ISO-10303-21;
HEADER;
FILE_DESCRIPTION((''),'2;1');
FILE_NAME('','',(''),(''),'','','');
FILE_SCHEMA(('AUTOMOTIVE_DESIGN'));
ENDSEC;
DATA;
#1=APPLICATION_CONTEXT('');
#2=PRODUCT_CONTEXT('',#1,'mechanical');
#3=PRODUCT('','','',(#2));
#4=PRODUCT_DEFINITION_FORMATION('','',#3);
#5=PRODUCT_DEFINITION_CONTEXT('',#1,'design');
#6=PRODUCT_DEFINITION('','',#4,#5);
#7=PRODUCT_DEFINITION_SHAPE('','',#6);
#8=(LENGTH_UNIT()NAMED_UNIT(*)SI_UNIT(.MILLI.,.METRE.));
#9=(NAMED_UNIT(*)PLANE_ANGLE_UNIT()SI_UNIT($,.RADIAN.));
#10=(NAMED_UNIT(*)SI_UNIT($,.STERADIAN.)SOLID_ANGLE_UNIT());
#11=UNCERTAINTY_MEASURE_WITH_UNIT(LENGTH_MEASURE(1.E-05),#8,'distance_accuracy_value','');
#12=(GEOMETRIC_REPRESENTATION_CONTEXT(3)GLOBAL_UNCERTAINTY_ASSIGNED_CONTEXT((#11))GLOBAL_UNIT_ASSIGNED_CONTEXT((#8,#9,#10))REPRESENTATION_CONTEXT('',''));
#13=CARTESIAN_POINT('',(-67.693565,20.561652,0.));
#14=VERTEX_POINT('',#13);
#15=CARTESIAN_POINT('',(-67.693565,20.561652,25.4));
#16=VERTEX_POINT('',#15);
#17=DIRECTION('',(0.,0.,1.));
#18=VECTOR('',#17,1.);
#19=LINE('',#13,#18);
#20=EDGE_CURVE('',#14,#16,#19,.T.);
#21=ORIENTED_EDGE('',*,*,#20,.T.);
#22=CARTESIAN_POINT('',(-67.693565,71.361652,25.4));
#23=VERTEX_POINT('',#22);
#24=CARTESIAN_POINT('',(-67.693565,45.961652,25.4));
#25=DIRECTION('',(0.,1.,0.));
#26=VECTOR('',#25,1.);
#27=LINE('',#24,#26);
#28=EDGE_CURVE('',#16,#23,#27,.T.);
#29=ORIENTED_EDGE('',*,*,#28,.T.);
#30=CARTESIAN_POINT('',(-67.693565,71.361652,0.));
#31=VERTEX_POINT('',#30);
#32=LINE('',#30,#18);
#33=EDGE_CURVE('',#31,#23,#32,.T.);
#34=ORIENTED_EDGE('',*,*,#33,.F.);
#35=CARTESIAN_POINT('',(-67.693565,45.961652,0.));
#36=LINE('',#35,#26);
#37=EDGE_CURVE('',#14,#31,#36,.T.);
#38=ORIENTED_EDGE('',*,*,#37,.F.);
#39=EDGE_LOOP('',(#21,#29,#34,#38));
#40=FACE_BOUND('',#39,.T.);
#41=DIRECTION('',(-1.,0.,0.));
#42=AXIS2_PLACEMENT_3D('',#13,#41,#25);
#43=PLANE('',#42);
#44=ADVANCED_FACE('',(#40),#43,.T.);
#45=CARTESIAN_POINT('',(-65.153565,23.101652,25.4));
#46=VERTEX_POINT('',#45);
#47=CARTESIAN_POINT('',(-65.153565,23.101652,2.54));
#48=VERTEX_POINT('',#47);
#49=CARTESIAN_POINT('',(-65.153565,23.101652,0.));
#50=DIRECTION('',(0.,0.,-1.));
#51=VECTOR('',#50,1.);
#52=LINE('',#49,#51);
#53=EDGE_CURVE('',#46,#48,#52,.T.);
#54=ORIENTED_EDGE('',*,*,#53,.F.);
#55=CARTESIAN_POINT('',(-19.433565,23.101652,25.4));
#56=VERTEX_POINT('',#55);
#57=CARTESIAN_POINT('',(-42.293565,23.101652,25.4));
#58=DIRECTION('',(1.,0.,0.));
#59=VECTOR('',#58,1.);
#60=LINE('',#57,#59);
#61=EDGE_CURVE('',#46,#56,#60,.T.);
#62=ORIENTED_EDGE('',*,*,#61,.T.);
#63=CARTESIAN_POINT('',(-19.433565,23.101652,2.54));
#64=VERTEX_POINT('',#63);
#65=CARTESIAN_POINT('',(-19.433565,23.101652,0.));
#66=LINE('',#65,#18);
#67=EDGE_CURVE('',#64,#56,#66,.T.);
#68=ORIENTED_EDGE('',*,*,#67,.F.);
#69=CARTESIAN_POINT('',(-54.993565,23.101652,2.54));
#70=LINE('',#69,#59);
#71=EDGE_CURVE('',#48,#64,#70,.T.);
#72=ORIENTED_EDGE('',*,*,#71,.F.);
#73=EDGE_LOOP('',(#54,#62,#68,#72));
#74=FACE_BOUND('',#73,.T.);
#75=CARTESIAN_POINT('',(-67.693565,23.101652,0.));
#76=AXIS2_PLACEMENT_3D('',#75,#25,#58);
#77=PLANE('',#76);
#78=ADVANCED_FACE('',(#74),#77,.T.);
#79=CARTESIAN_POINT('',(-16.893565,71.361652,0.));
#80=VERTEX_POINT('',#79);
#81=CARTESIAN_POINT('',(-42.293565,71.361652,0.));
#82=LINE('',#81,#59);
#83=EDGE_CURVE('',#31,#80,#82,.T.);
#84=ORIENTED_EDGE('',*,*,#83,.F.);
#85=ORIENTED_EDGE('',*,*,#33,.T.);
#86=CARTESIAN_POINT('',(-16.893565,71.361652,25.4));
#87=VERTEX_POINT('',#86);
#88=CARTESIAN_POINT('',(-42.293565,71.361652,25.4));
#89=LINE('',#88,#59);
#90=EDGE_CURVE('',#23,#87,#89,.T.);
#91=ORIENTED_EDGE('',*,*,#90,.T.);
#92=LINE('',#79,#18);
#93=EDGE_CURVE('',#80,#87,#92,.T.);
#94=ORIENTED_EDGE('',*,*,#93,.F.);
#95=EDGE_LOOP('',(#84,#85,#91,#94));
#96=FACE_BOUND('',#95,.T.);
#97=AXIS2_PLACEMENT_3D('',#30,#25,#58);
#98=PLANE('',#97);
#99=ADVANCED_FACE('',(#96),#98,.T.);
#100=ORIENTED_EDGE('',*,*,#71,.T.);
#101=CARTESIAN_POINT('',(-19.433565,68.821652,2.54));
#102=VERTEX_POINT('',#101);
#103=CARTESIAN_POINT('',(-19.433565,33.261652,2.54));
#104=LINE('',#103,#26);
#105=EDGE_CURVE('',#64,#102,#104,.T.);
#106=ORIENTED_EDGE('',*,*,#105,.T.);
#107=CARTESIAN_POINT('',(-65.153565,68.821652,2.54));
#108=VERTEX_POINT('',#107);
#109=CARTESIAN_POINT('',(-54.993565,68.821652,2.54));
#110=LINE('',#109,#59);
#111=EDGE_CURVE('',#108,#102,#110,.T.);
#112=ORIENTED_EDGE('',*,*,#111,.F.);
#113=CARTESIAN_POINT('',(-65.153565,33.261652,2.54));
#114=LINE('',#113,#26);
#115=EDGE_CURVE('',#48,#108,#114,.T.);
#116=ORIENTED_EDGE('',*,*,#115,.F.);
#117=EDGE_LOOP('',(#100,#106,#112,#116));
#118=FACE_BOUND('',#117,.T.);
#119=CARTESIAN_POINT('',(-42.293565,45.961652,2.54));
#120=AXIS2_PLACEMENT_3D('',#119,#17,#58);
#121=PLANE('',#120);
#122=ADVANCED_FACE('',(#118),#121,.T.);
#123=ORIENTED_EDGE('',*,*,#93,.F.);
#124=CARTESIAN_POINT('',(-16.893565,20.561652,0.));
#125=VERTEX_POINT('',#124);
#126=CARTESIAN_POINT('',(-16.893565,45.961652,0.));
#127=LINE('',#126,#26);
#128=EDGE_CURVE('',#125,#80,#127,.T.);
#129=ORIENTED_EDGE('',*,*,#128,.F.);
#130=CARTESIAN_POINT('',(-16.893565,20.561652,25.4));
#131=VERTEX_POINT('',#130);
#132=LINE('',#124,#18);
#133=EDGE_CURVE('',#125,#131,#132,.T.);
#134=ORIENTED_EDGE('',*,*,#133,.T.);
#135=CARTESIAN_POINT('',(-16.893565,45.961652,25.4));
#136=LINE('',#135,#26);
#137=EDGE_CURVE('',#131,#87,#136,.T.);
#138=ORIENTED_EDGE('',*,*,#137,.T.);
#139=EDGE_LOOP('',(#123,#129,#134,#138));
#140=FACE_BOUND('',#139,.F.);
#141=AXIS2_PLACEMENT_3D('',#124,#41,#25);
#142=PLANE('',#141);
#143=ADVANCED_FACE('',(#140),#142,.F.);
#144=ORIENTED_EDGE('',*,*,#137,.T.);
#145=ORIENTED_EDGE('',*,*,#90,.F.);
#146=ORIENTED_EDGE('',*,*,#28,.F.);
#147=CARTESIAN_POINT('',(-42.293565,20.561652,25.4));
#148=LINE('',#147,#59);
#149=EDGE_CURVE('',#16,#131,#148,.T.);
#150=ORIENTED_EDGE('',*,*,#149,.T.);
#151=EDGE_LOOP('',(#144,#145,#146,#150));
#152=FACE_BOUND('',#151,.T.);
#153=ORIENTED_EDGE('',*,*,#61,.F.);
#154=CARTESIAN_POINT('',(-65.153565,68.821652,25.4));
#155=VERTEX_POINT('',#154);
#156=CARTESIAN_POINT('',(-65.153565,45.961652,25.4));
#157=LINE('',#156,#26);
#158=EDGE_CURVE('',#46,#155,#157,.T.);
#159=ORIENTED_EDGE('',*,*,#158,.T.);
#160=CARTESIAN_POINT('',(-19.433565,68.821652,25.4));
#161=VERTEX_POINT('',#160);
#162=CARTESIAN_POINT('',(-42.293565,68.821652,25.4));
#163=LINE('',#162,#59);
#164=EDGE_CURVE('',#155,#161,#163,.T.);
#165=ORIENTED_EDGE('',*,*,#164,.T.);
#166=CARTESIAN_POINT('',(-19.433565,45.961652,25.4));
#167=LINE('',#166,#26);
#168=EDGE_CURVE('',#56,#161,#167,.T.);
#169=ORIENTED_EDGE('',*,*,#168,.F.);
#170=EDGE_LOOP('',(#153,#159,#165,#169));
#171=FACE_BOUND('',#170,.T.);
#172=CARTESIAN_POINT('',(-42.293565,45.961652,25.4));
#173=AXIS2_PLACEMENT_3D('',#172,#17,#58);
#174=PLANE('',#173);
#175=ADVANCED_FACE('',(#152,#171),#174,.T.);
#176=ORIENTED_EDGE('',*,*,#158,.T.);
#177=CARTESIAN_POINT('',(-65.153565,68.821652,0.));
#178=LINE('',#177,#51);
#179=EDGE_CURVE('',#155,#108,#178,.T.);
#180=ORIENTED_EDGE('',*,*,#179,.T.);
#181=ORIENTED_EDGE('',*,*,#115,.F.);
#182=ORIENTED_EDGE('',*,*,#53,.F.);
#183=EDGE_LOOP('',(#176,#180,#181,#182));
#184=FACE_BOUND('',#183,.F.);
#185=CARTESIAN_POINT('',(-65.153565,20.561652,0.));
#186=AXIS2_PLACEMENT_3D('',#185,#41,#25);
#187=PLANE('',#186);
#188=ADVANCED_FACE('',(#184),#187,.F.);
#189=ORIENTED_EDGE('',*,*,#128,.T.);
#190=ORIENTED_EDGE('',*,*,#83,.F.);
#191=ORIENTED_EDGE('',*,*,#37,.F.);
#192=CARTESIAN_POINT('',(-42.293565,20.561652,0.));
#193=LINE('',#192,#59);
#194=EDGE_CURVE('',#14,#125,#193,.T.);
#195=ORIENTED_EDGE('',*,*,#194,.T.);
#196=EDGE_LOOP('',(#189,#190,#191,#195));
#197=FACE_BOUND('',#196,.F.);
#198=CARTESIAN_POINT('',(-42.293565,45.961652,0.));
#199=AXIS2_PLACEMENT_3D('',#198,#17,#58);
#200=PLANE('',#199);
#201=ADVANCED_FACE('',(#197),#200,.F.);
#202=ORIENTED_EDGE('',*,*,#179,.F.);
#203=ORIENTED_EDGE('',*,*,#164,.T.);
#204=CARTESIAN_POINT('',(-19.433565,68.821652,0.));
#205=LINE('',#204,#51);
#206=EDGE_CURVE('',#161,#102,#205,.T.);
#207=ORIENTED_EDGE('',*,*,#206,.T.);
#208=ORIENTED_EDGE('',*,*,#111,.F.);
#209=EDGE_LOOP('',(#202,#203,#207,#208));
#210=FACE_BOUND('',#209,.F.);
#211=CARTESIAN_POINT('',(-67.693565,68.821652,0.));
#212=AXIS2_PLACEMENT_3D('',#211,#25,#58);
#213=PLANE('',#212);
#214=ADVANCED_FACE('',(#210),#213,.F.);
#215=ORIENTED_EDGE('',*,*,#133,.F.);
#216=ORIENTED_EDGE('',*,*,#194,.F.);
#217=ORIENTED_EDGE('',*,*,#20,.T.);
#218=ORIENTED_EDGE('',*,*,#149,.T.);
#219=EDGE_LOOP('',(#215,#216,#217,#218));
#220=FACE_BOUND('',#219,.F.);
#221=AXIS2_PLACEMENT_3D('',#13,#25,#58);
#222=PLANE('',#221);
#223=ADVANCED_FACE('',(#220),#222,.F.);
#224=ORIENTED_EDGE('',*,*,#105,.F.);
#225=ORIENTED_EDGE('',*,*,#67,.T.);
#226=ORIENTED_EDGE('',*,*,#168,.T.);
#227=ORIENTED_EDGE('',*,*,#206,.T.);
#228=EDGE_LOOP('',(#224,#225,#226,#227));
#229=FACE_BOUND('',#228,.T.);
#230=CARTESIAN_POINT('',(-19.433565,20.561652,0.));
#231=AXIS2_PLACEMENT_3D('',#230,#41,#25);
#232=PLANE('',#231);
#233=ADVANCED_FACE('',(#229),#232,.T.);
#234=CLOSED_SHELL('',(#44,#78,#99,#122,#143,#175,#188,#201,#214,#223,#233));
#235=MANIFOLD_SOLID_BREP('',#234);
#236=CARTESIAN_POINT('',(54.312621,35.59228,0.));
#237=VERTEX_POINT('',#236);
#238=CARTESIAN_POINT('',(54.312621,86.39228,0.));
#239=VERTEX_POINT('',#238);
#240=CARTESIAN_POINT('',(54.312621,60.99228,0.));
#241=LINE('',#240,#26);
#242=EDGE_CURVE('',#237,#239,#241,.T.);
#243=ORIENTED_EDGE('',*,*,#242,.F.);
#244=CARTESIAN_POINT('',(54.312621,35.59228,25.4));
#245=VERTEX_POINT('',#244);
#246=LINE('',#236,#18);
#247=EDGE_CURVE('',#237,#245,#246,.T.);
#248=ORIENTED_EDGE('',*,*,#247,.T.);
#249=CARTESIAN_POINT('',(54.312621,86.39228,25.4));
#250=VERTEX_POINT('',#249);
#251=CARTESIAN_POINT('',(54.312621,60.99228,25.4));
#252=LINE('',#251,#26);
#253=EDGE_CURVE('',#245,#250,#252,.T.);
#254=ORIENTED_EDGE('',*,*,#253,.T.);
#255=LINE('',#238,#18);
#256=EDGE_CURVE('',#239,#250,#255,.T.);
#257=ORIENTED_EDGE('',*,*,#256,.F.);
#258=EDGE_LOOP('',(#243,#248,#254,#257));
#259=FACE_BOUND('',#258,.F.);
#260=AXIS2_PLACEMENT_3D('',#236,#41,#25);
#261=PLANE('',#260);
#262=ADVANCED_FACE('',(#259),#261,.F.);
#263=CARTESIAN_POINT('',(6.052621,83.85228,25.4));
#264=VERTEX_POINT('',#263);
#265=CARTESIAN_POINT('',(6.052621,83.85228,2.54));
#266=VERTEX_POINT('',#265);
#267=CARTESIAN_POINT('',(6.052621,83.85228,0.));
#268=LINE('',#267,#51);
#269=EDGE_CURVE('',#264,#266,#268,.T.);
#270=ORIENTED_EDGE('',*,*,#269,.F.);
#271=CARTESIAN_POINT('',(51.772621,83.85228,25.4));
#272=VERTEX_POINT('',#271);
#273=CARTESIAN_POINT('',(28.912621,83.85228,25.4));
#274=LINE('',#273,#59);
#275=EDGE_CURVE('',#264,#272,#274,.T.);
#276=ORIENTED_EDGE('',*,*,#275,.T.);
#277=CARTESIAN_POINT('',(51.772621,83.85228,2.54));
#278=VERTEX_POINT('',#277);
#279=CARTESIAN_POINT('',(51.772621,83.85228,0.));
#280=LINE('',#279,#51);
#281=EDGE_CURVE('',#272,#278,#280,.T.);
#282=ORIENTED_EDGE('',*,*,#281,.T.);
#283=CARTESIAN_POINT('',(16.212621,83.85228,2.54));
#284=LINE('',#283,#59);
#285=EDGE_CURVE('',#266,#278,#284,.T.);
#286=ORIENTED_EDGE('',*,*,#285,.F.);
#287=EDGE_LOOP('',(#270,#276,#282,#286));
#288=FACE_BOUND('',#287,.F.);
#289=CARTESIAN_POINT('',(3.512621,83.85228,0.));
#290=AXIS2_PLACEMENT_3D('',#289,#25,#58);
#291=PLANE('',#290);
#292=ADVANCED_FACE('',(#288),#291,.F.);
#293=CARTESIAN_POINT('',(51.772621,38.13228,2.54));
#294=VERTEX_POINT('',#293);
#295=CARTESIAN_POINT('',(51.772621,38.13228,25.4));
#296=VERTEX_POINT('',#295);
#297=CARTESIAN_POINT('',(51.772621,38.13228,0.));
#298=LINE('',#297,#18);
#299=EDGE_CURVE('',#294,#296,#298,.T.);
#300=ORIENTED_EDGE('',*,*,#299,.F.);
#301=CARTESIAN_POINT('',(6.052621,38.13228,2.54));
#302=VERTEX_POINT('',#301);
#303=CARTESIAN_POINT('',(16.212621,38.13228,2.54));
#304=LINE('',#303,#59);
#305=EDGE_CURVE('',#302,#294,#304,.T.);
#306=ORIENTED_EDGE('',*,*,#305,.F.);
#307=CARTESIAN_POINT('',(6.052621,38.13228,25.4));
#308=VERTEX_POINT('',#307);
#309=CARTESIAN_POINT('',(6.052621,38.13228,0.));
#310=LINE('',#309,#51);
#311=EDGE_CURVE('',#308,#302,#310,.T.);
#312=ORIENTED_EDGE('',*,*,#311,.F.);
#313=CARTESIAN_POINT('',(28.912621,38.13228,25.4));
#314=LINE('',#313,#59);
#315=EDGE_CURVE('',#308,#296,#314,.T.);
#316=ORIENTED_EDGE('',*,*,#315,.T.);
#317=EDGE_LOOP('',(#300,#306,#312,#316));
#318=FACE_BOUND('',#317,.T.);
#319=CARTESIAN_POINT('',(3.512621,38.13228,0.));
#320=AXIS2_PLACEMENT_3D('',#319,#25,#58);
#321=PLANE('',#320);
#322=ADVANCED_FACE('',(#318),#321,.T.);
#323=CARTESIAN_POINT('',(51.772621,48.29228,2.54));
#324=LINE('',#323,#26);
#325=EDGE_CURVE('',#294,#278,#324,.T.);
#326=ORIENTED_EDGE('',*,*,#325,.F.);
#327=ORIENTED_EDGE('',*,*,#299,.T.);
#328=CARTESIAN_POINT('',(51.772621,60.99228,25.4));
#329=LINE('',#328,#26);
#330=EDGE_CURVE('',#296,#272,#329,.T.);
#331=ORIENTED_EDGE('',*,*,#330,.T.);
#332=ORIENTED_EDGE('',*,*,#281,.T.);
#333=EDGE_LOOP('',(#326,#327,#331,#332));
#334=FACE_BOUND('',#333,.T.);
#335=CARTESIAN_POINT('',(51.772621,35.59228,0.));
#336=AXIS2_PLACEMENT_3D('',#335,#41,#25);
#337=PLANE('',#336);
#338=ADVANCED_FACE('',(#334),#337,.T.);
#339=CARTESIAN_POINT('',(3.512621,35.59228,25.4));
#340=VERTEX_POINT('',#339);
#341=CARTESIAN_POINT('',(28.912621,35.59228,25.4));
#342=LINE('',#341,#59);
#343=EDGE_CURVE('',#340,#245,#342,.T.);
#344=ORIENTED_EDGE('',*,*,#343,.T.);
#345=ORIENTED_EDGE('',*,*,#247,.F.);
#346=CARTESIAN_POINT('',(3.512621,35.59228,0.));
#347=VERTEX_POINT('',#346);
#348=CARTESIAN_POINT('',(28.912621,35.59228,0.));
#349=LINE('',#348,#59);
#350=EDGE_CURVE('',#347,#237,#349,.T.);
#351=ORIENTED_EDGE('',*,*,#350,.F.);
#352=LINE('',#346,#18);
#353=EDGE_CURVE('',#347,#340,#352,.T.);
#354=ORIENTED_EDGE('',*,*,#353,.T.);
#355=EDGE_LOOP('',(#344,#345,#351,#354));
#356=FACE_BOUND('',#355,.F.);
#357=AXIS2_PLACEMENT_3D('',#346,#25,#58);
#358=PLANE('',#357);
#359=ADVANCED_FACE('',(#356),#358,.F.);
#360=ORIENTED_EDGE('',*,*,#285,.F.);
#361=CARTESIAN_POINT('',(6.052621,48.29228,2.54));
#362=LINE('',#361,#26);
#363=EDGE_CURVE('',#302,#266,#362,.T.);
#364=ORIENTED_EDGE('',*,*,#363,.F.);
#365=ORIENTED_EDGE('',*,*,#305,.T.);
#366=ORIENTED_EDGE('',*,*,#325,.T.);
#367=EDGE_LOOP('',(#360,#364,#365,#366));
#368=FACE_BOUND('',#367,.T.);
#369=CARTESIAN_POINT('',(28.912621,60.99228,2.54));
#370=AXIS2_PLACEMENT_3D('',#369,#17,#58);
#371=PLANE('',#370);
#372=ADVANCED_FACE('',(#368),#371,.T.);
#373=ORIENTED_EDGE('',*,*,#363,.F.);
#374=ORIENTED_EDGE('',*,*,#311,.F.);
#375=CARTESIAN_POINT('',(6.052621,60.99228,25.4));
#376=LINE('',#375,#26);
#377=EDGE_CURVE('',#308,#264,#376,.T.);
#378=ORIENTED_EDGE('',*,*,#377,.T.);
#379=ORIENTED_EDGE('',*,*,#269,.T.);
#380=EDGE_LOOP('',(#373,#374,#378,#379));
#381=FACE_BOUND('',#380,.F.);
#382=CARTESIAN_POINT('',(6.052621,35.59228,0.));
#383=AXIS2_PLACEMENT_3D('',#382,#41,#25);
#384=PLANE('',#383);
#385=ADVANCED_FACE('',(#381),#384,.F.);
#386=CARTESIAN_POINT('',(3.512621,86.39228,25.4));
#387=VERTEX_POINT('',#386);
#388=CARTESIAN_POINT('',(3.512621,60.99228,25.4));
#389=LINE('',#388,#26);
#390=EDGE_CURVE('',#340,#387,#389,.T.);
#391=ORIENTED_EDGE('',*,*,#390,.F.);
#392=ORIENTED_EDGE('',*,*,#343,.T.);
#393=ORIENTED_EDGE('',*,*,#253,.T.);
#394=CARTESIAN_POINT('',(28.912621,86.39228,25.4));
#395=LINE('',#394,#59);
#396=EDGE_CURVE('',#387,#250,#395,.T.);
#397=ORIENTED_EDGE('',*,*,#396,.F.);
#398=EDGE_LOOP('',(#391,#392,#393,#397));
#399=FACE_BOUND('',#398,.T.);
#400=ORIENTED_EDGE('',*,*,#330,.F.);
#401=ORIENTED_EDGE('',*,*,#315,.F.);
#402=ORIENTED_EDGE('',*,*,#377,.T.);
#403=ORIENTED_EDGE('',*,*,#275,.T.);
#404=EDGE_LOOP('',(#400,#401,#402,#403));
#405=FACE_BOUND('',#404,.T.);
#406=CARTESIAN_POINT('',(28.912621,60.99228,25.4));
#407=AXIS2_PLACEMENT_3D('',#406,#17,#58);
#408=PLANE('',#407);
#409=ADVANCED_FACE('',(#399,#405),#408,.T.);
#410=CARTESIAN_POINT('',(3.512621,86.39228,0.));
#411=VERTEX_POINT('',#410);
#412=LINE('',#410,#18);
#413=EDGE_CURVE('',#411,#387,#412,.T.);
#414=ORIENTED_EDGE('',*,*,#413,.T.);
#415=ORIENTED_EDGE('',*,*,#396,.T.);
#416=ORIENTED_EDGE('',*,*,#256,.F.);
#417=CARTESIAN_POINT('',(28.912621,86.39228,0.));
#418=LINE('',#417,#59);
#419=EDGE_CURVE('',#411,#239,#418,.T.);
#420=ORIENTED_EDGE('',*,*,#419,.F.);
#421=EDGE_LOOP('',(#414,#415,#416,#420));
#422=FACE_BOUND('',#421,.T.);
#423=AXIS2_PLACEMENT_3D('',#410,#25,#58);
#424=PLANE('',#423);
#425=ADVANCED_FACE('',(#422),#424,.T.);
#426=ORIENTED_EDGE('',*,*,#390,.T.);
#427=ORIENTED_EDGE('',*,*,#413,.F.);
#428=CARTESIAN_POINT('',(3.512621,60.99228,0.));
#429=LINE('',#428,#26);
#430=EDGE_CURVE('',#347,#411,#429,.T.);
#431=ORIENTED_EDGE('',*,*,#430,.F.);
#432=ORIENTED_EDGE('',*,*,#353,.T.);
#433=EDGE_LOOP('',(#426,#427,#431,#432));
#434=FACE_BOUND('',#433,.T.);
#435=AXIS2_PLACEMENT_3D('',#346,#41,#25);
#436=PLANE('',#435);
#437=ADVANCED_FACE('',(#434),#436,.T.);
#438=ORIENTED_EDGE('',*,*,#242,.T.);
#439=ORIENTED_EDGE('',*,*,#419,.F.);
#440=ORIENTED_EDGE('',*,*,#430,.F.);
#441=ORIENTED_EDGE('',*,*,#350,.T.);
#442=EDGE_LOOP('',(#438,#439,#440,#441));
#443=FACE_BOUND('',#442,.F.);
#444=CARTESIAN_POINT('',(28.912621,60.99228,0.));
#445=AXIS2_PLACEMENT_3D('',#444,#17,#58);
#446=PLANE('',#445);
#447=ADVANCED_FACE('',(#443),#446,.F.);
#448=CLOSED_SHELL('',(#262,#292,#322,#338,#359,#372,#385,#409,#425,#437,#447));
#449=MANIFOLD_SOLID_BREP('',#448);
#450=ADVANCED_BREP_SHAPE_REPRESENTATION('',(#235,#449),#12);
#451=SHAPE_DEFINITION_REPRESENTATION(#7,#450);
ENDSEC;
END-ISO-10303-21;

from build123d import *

# Parameters (mm, degrees)
F0_W     = 50.8
F0_H     = 50.8
F2_DEPTH = 25.4
F1_W     = 50.8
F1_H     = 50.8
F3_DEPTH = 25.4
F4_T     = -2.54
F4_2_T   = -2.54


with BuildPart() as f2:
    # F0 (on Top) → F2 (new body)
    with BuildSketch(Plane.XY):
        with Locations((-42.293565, 45.961652)):
            Rectangle(F0_W, F0_H)
    extrude(amount=F2_DEPTH)

    # F4#2
    f4_2_openings = [f2.faces().sort_by_distance(p)[0] for p in [
        (-42.293565, 45.961652, 25.4),
    ]]
    offset(amount=F4_2_T, openings=f4_2_openings)


with BuildPart() as f3:
    # F1 (on Top) → F3 (new body)
    with BuildSketch(Plane.XY):
        with Locations((28.912621, 60.99228)):
            Rectangle(F1_W, F1_H)
    extrude(amount=F3_DEPTH)

    # F4
    f4_openings = [f3.faces().sort_by_distance(p)[0] for p in [
        (28.912621, 60.99228, 25.4),
    ]]
    offset(amount=F4_T, openings=f4_openings)


solid = Compound([f2.part, f3.part])
